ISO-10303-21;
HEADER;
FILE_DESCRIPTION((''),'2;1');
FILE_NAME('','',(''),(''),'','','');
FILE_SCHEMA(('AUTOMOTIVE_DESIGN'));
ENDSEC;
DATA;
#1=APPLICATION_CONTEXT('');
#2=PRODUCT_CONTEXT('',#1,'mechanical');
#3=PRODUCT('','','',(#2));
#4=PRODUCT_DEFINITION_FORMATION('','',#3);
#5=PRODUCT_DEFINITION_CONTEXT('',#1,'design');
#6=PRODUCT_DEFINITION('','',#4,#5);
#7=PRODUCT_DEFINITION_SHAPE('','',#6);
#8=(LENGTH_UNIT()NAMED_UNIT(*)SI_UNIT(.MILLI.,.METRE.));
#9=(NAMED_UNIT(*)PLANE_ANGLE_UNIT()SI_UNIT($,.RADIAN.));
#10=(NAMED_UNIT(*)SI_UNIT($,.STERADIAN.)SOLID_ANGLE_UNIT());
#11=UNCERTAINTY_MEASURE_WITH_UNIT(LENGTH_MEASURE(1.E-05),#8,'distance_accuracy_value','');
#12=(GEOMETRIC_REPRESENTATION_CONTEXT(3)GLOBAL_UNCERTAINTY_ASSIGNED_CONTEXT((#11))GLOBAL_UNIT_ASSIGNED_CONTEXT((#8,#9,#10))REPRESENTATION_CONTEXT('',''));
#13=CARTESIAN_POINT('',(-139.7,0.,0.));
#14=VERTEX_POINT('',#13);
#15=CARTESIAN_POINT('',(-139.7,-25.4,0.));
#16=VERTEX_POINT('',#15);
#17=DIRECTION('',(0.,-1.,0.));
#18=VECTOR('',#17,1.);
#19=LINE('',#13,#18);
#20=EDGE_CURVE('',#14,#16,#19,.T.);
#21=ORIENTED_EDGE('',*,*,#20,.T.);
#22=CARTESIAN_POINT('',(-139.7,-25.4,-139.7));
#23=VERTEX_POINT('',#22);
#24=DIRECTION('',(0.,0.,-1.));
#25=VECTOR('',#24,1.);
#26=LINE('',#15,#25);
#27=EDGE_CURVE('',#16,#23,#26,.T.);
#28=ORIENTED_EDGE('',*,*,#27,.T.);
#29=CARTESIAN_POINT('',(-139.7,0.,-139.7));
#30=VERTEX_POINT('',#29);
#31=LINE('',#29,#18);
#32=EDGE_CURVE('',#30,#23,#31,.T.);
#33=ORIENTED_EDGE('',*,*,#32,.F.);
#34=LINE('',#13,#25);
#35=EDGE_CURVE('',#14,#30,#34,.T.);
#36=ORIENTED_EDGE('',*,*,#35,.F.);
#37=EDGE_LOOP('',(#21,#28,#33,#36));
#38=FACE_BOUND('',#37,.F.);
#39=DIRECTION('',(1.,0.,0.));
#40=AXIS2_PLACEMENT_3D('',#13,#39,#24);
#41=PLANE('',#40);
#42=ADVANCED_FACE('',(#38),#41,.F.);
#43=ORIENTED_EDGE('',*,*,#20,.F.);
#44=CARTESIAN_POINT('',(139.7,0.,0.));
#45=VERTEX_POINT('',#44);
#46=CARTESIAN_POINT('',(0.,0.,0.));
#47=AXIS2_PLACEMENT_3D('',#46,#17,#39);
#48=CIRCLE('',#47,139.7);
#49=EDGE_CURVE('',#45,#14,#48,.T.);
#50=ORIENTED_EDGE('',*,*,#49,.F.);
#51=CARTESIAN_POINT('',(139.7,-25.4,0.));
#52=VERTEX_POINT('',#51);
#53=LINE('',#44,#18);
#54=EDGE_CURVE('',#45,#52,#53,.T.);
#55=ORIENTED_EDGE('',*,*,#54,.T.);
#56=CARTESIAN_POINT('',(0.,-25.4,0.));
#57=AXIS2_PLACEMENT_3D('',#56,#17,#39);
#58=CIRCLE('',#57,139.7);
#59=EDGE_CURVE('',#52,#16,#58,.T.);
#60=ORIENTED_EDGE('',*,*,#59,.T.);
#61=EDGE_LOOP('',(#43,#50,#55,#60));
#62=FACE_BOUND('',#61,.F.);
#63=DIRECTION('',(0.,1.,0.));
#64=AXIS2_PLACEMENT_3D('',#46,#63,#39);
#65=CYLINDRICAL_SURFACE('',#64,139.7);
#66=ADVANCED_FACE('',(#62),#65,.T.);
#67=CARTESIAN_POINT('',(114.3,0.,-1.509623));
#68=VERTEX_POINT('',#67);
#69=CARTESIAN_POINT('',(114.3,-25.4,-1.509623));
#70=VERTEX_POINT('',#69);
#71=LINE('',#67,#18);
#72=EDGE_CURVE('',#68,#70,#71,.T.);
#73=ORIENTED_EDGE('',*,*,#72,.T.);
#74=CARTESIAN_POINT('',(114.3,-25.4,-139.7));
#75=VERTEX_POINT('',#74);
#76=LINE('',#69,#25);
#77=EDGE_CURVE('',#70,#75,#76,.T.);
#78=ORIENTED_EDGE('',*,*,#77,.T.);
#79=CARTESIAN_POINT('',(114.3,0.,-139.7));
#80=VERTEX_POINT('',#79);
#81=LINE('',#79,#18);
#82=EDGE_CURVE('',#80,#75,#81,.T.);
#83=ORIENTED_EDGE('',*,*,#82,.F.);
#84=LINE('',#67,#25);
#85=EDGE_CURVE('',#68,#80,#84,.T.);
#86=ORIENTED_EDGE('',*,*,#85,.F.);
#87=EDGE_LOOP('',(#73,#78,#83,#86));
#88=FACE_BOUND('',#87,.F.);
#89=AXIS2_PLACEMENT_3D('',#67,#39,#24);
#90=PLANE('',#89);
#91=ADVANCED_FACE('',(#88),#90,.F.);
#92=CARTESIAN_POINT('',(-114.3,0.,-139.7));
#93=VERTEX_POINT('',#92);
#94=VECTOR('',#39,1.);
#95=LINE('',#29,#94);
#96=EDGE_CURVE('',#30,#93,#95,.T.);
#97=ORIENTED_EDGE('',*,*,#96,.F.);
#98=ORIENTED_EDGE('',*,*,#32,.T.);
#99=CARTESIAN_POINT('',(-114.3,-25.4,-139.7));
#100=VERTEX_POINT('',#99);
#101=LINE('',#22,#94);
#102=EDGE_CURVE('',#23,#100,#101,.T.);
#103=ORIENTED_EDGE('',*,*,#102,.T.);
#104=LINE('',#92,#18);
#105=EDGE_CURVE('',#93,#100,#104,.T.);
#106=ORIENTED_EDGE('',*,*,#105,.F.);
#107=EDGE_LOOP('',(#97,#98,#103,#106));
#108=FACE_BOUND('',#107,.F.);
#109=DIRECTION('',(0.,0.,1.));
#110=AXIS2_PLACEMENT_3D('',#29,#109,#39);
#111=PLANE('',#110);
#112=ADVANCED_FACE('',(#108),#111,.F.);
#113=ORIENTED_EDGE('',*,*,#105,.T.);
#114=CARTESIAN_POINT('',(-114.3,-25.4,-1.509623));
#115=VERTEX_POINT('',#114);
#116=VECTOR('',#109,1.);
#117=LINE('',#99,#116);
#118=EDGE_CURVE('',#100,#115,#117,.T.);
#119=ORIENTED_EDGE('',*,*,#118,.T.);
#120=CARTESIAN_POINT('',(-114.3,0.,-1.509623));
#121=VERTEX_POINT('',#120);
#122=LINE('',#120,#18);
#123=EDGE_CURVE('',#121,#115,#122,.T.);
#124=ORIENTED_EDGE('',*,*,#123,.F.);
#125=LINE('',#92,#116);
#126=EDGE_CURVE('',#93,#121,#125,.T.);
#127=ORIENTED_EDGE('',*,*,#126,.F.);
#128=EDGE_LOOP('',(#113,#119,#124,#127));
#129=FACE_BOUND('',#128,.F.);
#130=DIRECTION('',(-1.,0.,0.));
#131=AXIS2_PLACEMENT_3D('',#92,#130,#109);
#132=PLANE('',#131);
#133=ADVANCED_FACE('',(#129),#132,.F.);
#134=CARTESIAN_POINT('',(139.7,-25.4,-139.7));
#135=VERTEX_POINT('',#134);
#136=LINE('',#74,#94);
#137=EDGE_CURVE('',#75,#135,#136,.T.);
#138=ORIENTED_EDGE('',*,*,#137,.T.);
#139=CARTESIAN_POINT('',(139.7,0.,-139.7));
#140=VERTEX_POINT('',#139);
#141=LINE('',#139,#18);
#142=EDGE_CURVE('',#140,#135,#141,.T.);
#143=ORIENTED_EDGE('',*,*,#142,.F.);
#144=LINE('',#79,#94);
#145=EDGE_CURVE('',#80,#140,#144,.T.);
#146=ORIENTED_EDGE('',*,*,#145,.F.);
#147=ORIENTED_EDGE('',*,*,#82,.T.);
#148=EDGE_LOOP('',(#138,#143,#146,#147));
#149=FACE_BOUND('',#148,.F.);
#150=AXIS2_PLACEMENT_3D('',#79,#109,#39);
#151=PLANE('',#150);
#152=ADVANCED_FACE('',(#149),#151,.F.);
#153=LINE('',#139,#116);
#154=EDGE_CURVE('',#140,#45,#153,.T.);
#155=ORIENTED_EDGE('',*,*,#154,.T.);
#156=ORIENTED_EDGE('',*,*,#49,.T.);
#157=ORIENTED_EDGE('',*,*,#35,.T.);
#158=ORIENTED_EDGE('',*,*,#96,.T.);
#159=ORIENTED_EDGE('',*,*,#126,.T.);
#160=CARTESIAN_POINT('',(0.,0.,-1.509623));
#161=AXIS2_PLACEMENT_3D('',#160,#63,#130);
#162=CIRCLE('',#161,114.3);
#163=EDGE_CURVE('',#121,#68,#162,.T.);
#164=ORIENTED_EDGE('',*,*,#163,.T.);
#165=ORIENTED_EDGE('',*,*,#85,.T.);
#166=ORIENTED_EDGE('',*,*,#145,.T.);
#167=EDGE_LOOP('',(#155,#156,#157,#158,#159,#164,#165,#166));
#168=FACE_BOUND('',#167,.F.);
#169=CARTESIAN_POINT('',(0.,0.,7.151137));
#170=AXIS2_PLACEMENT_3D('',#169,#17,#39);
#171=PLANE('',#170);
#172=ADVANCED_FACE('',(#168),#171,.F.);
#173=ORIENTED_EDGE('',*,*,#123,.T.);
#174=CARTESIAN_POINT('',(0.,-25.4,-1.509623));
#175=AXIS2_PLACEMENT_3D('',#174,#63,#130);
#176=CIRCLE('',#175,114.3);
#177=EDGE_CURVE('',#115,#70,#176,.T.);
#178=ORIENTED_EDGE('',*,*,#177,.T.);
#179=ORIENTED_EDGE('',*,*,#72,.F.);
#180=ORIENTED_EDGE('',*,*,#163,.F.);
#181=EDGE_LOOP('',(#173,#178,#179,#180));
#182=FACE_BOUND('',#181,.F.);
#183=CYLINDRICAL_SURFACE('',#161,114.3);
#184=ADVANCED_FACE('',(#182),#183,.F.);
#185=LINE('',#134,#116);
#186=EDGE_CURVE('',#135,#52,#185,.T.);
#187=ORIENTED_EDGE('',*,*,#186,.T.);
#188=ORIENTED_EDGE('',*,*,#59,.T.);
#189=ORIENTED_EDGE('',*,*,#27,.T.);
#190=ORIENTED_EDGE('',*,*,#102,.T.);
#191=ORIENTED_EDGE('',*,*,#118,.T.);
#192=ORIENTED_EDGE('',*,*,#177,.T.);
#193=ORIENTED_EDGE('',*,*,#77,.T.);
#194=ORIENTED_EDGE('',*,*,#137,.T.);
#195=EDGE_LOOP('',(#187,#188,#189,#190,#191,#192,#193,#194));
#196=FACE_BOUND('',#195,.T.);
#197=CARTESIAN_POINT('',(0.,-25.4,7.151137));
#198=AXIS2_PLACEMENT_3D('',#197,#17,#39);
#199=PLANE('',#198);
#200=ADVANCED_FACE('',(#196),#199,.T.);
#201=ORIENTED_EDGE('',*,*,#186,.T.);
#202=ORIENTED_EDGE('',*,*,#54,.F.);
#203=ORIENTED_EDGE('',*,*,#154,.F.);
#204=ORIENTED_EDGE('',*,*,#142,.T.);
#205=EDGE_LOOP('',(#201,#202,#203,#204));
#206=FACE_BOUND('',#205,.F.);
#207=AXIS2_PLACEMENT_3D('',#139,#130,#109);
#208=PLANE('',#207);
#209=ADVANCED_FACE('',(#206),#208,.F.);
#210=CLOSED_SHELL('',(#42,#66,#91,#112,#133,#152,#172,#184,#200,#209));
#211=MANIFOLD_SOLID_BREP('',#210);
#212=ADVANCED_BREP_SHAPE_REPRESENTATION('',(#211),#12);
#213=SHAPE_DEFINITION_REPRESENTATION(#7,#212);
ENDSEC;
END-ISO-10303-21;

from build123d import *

# Parameters (mm, degrees)
F1_DEPTH = 25.4


with BuildPart() as f1:
    # F0 (on Front) → F1 (new body)
    with BuildSketch(Plane.XZ):
        with BuildLine():
            Line((139.7, -139.7), (139.7, 0))
            ThreePointArc((139.7, 0), (0, 139.7), (-139.7, 0))
            Line((-139.7, 0), (-139.7, -139.7))
            Line((-139.7, -139.7), (-114.3, -139.7))
            Line((-114.3, -139.7), (-114.3, -1.509623))
            ThreePointArc((-114.3, -1.509623), (0, 112.790377), (114.3, -1.509623))
            Line((114.3, -1.509623), (114.3, -139.7))
            Line((114.3, -139.7), (139.7, -139.7))
        make_face()
    extrude(amount=F1_DEPTH)


solid = f1.part
